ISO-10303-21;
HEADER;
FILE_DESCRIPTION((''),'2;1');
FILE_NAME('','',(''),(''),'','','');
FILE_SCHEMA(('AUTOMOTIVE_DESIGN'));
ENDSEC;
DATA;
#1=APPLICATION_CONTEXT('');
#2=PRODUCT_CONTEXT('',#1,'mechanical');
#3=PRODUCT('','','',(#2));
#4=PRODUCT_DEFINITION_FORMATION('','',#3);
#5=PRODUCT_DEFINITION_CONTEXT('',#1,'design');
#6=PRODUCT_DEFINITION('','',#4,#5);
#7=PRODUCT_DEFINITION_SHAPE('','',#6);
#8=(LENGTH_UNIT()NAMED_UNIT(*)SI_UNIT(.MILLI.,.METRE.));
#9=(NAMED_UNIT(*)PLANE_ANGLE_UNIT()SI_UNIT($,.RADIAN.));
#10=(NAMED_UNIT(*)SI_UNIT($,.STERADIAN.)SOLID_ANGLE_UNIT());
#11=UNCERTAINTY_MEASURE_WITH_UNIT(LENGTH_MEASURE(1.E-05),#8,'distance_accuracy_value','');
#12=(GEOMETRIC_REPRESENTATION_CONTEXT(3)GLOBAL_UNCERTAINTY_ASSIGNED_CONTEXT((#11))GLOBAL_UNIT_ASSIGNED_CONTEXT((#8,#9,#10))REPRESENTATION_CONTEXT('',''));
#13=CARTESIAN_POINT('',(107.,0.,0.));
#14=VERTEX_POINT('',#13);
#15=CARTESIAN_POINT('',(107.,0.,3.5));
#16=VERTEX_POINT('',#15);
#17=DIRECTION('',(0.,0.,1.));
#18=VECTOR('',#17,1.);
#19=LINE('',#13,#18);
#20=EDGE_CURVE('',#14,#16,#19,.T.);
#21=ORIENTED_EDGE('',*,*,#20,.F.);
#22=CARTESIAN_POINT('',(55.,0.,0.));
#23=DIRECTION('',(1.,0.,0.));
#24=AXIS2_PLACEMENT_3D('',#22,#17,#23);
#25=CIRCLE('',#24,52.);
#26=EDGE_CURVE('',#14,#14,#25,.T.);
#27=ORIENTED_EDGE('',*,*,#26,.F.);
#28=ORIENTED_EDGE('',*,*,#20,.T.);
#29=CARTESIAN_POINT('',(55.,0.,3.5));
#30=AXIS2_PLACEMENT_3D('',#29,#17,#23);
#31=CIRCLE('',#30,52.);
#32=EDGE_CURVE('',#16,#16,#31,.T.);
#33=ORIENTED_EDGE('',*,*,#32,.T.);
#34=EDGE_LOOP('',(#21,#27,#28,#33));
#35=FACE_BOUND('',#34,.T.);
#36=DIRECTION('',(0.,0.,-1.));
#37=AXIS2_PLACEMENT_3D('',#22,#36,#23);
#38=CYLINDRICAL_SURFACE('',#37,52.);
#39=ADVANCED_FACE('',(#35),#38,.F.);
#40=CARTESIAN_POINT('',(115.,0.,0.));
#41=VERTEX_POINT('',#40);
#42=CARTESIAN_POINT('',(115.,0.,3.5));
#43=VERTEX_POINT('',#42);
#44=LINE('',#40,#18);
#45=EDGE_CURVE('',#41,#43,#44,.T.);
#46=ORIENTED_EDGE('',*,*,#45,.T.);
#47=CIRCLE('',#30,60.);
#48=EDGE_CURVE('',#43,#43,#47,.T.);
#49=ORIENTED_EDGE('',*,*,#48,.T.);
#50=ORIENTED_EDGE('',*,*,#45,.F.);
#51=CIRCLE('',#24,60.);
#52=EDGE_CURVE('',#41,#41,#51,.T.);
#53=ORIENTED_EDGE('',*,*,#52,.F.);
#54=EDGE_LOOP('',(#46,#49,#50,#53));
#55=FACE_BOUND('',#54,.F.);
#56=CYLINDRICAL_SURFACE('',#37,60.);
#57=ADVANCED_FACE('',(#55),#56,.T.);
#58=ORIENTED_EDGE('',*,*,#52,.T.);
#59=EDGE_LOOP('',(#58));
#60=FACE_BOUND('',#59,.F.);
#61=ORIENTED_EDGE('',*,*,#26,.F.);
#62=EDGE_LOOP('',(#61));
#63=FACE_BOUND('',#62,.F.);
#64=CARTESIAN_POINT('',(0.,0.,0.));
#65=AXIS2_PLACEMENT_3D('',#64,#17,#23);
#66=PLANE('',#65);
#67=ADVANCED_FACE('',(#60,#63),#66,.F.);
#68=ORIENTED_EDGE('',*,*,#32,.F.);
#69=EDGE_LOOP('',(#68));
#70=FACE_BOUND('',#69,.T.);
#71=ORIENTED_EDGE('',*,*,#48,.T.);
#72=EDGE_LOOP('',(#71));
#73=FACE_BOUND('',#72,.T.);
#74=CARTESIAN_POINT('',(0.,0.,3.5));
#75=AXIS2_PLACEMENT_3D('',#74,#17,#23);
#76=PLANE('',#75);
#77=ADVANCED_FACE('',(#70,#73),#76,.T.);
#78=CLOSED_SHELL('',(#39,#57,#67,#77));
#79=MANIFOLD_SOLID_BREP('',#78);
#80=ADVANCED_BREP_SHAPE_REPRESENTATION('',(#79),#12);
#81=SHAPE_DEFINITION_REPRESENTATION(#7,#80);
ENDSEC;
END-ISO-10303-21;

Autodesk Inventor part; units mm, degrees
ref_plane "YZ Plane" through (0, 0, 0) normal (1, 0, 0) x (0, 1, 0)
ref_plane "XZ Plane" through (0, 0, 0) normal (0, 1, 0) x (-1, 0, 0)
ref_plane "XY Plane" through (0, 0, 0) normal (0, 0, 1) x (1, 0, 0)
ref_plane "РабПлоскость1" through (0, 0, 0) normal (0, 0, 1) x (1, 0, 0)
sketch "Эскиз1" plane through (0, 0, 0) normal (0, 0, 1) x (1, 0, 0)
  circle A0 centre (55, 0) radius 52 projected
  circle A1 centre (55, 0) radius 60
  dimension "d3" = 120
extrude "Выдавливание1" add sketch "Эскиз1" along normal blind 3.5
properties part number "Стопорное кольцо" material "Сталь, высокопрочная, низколегированная"
